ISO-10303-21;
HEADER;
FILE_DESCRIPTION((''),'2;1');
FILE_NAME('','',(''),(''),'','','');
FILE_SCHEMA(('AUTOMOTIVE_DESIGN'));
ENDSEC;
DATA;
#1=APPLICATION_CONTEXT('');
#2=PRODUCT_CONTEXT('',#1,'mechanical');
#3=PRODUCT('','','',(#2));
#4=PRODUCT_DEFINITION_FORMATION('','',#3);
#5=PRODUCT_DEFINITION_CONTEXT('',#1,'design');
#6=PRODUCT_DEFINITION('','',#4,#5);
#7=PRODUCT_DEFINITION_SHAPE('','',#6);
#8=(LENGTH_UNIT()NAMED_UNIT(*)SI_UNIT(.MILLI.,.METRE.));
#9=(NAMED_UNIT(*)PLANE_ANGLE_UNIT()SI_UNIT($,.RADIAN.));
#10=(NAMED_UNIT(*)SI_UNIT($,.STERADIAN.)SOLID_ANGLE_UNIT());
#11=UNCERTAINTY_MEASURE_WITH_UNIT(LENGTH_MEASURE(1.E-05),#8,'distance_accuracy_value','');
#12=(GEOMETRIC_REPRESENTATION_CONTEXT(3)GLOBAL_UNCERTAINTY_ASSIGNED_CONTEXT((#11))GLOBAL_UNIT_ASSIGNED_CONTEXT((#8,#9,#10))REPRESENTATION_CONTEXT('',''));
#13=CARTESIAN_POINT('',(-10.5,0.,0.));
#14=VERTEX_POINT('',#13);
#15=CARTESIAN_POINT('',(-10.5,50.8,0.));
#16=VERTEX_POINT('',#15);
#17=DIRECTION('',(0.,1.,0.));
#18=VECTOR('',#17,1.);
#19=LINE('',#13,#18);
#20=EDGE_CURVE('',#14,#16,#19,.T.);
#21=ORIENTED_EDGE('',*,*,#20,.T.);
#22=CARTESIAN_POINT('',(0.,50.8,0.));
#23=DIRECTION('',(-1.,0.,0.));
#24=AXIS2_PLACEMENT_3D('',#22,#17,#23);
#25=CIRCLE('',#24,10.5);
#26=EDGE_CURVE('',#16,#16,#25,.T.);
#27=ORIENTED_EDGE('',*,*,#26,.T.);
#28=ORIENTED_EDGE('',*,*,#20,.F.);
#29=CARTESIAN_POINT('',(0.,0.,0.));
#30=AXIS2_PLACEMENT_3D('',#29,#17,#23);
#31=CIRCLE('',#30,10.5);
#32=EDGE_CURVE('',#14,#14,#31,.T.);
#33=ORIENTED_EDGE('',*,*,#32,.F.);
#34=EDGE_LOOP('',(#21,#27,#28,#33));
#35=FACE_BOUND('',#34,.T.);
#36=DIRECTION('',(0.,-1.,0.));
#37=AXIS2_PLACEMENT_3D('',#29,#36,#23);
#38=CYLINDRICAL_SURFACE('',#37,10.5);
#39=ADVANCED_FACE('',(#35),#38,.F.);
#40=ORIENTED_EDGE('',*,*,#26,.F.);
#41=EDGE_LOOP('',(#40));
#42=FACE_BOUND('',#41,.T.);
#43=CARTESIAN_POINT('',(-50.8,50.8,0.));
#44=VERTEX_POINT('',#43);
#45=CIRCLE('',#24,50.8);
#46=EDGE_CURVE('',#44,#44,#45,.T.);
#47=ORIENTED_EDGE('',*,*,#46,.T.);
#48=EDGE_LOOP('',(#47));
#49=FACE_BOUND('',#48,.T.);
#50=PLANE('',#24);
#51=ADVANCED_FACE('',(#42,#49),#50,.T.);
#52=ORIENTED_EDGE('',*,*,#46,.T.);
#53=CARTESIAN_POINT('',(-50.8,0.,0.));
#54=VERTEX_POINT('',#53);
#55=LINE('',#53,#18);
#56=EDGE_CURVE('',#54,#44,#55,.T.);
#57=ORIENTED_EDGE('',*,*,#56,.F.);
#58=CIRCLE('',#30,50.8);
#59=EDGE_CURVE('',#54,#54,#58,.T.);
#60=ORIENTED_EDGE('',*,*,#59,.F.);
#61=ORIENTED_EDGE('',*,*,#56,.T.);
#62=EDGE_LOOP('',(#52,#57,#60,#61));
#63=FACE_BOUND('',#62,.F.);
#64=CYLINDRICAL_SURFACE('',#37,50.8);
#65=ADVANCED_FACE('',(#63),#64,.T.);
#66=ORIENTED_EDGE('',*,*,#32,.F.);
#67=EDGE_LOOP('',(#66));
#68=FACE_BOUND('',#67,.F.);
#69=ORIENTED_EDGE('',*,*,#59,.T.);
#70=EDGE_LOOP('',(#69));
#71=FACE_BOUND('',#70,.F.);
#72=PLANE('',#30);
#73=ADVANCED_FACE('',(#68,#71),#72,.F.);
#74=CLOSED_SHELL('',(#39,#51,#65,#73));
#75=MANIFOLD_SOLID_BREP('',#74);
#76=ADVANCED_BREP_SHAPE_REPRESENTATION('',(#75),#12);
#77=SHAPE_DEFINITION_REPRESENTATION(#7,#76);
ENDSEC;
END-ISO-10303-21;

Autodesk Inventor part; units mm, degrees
ref_plane "YZ Plane" through (0, 0, 0) normal (1, 0, 0) x (0, 1, 0)
ref_plane "XZ Plane" through (0, 0, 0) normal (0, 1, 0) x (-1, 0, 0)
ref_plane "XY Plane" through (0, 0, 0) normal (0, 0, 1) x (1, 0, 0)
sketch "Sketch1" plane through (0, 0, 0) normal (0, 1, 0) x (-1, 0, 0)
  circle A0 centre (0, 0) radius 10.5
  circle A1 centre (0, 0) radius 50.8
  dimension "d0" = 21
  dimension "d1" = 101.6
extrude "Extrusion1" add sketch "Sketch1" along normal blind 50.8
properties part number "Spacer_2_00_in"
